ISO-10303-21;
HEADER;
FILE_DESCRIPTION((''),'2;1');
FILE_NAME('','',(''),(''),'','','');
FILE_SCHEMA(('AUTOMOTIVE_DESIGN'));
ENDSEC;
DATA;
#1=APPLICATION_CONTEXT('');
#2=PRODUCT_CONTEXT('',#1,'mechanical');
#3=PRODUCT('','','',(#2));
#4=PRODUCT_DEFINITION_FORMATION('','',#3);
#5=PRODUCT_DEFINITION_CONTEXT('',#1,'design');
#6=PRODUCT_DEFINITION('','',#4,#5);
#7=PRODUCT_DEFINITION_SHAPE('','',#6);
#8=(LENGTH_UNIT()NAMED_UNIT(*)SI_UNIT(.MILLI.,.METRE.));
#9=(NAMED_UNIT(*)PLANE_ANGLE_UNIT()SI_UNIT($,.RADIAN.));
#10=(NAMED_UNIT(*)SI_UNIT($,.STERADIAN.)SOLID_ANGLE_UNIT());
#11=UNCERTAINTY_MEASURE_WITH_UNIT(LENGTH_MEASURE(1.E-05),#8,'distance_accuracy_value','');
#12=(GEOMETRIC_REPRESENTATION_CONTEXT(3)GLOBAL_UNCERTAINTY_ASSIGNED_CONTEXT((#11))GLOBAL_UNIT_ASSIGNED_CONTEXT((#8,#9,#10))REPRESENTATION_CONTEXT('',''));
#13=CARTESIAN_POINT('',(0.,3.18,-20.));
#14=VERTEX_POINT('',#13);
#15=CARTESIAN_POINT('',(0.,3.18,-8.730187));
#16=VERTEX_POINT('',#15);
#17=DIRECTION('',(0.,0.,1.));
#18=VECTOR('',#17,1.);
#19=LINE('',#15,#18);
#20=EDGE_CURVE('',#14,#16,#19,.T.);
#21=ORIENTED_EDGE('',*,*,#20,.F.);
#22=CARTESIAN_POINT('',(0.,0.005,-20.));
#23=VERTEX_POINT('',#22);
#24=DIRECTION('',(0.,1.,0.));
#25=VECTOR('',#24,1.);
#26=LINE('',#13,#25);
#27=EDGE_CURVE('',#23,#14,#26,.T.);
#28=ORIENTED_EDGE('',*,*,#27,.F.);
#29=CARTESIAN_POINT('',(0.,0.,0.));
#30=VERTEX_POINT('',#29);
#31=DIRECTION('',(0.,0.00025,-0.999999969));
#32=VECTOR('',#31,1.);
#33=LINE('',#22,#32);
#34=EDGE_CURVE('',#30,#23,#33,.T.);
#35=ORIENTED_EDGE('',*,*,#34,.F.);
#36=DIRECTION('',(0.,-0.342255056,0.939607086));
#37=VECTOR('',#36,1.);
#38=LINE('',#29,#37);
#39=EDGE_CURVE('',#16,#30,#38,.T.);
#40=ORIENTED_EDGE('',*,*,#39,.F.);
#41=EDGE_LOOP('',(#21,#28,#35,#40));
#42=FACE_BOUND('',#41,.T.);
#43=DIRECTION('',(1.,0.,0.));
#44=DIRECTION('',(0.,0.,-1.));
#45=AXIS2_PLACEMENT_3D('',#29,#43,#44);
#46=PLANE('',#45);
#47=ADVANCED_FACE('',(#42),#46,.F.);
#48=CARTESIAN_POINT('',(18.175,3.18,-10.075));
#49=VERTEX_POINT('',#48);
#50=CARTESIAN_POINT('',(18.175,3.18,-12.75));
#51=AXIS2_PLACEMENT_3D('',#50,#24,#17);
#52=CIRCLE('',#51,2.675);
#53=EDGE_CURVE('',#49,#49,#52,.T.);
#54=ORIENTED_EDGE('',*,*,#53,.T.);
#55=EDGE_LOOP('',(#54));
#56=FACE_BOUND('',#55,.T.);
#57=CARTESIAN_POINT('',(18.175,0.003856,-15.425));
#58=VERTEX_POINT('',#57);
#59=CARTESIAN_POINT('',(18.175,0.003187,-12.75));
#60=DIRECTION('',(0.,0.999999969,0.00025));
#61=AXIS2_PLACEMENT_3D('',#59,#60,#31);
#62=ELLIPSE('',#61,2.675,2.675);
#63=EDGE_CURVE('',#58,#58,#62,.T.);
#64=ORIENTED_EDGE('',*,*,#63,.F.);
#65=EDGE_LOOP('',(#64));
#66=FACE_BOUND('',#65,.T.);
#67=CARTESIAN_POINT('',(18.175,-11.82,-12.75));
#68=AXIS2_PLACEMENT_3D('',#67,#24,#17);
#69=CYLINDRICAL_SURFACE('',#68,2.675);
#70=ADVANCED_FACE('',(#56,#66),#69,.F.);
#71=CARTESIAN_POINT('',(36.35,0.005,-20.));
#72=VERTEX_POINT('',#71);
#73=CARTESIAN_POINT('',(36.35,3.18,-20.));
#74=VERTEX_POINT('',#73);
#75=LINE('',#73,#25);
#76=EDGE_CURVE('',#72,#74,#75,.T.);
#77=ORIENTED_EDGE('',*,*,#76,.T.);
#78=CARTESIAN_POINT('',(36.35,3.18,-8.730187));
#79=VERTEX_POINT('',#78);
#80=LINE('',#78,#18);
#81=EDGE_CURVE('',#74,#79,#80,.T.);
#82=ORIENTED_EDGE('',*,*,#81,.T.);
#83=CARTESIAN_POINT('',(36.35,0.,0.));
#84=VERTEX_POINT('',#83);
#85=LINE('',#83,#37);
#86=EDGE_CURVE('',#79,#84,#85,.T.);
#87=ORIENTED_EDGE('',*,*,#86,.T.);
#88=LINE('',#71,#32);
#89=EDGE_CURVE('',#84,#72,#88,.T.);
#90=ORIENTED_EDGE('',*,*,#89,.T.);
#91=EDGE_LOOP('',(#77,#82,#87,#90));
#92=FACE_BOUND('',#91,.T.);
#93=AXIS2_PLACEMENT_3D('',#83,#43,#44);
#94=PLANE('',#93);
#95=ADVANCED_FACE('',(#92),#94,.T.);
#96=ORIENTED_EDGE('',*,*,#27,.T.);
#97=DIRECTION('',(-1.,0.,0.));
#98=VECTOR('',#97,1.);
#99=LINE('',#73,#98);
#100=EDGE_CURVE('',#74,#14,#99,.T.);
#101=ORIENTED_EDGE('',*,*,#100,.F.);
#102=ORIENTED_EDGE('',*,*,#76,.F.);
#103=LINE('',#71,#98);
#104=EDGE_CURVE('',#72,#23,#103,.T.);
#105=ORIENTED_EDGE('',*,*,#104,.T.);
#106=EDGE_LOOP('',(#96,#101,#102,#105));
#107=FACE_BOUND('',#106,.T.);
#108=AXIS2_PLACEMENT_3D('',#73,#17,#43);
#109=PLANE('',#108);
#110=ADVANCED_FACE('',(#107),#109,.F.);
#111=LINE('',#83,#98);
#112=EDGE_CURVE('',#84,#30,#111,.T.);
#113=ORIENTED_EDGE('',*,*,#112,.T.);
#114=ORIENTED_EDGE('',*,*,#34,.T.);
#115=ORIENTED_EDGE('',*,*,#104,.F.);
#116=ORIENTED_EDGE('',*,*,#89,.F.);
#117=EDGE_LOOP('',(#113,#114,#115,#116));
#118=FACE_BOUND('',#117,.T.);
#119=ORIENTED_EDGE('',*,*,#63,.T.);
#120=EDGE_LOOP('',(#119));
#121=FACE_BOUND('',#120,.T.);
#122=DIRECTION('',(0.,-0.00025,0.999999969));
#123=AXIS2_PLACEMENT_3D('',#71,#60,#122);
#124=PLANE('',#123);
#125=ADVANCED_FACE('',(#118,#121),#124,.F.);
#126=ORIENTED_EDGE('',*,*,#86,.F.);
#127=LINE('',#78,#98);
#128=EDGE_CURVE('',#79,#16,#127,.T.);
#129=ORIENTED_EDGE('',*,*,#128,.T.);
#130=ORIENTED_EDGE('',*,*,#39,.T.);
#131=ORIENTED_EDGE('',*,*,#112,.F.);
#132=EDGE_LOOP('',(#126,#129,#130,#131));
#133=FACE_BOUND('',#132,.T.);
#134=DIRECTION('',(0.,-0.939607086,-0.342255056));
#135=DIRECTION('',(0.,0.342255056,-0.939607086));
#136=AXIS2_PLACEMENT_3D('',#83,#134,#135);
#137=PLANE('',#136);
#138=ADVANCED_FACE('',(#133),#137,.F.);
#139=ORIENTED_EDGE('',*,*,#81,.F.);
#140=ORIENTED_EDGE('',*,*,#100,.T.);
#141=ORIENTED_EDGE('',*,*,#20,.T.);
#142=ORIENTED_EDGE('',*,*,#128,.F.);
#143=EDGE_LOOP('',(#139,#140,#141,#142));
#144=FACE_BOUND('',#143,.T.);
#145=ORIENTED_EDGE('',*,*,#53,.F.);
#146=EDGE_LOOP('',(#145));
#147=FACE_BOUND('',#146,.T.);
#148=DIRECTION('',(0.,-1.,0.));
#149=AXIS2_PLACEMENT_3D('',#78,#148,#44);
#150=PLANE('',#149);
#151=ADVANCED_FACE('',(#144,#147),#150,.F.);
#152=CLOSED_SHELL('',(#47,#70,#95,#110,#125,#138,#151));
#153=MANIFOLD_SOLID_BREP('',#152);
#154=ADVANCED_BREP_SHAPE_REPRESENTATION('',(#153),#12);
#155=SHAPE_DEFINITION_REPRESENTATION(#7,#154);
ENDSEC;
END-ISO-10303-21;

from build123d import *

# Parameters (mm, degrees)
BOSS_EXTRUDE1_DEPTH = 36.35
SKETCH2_R           = 2.675
CUT_EXTRUDE1_DEPTH  = 15


with BuildPart() as part:
    # Sketch1 → Boss-Extrude1 (new body)
    with BuildSketch(Plane(origin=(0, 0, 0), x_dir=(0, 0, -1), z_dir=(1, 0, 0))):
        Polygon((0, 0), (8.730186696, 3.18), (20, 3.18), (20, 0.005), align=None)
    extrude(amount=BOSS_EXTRUDE1_DEPTH)

    # Sketch2 → Cut-Extrude1 (cut)
    with BuildSketch(Plane(origin=(0, 3.18, 0), x_dir=(1, 0, 0), z_dir=(0, 1, 0))):
        with Locations(Location((18.175, 12.75, 0), (0, 0, 270))):
            Circle(SKETCH2_R)
    extrude(amount=-CUT_EXTRUDE1_DEPTH, mode=Mode.SUBTRACT)


solid = part.part
